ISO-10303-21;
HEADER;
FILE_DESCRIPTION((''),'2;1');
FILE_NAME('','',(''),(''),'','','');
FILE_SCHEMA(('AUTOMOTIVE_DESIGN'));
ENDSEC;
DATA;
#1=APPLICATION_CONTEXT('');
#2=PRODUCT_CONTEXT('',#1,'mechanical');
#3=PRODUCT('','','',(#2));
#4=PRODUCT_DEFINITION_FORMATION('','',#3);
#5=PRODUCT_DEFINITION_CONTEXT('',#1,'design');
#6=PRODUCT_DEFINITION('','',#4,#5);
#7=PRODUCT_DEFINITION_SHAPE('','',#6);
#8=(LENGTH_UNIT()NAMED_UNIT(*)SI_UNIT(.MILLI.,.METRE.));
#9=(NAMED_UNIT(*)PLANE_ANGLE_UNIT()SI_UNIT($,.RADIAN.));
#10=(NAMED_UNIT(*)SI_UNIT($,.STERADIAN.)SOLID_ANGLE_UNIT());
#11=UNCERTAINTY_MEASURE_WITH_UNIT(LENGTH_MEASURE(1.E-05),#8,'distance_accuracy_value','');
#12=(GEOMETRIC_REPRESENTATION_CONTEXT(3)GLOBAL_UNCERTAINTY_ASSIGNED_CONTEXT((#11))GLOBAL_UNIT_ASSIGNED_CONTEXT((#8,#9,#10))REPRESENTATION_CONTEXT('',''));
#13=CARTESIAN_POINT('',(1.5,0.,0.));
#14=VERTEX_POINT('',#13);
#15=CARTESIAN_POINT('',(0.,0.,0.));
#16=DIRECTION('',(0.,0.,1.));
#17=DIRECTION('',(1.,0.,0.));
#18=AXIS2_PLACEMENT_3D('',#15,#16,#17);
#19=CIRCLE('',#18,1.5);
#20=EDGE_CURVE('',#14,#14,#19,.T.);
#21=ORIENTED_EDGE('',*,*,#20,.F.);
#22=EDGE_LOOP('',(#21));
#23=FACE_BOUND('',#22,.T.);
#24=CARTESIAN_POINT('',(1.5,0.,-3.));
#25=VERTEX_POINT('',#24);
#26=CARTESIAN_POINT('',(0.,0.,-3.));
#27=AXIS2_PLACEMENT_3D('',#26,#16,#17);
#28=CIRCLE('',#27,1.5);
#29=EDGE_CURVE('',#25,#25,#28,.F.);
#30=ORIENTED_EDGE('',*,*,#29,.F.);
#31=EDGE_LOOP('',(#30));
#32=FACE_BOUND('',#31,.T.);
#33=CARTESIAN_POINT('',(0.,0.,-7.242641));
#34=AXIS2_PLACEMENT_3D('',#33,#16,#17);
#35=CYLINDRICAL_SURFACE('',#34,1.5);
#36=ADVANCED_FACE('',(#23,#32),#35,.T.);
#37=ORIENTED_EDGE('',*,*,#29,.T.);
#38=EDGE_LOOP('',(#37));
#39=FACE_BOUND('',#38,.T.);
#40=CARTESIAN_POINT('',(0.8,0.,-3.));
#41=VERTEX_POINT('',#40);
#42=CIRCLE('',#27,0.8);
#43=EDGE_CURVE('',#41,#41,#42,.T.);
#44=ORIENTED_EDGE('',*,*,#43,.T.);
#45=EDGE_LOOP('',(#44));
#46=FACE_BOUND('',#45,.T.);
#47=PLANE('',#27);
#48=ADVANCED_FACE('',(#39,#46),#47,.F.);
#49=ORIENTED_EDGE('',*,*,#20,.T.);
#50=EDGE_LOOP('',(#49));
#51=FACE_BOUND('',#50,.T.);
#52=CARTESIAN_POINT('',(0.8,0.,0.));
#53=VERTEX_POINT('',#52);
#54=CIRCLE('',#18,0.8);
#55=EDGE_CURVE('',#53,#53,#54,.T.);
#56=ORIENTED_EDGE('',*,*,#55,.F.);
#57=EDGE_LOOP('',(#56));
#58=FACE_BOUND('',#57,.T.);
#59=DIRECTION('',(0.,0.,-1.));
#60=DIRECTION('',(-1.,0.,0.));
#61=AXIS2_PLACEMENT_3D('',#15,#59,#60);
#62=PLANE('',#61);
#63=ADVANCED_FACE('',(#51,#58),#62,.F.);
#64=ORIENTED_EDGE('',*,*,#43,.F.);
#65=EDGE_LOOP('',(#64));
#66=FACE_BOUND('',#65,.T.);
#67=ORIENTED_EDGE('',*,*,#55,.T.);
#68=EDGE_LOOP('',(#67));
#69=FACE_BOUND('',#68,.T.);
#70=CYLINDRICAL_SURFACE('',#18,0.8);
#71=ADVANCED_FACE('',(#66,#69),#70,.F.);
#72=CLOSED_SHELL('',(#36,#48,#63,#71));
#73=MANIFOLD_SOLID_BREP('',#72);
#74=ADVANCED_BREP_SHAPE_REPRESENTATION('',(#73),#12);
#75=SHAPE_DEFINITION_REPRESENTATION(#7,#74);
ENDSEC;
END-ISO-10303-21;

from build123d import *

# Parameters (mm, degrees)
SKETCH_7_W        = 3
SKETCH_7_H        = 1.4
HOLE_WIZARD_M21_D = 1.6
SKETCH_47_R       = 1.5
SKETCH_47_R_2     = 1.4
EXTRUDE_1_DEPTH   = 3


with BuildPart() as part:
    # Эскиз7 → Повернуть1 (revolve)
    with BuildSketch(Plane(origin=(0, 0, 0), x_dir=(0, 0, -1), z_dir=(1, 0, 0))):
        with Locations((1.5, 0.7)):
            Rectangle(SKETCH_7_W, SKETCH_7_H)
    revolve(axis=Axis((0, 0, 0), (0, 0, -1)))

    # Отверстие обработанное метчиком M21 (through all)
    with Locations(Plane.XY):
        with Locations((0, 0)):
            Hole(HOLE_WIZARD_M21_D / 2)

    # Эскиз47 → Бобышка-Вытянуть1 (add)
    with BuildSketch(Plane.XY):
        Circle(SKETCH_47_R)
        Circle(SKETCH_47_R_2, mode=Mode.SUBTRACT)
    extrude(amount=-EXTRUDE_1_DEPTH)


solid = part.part
